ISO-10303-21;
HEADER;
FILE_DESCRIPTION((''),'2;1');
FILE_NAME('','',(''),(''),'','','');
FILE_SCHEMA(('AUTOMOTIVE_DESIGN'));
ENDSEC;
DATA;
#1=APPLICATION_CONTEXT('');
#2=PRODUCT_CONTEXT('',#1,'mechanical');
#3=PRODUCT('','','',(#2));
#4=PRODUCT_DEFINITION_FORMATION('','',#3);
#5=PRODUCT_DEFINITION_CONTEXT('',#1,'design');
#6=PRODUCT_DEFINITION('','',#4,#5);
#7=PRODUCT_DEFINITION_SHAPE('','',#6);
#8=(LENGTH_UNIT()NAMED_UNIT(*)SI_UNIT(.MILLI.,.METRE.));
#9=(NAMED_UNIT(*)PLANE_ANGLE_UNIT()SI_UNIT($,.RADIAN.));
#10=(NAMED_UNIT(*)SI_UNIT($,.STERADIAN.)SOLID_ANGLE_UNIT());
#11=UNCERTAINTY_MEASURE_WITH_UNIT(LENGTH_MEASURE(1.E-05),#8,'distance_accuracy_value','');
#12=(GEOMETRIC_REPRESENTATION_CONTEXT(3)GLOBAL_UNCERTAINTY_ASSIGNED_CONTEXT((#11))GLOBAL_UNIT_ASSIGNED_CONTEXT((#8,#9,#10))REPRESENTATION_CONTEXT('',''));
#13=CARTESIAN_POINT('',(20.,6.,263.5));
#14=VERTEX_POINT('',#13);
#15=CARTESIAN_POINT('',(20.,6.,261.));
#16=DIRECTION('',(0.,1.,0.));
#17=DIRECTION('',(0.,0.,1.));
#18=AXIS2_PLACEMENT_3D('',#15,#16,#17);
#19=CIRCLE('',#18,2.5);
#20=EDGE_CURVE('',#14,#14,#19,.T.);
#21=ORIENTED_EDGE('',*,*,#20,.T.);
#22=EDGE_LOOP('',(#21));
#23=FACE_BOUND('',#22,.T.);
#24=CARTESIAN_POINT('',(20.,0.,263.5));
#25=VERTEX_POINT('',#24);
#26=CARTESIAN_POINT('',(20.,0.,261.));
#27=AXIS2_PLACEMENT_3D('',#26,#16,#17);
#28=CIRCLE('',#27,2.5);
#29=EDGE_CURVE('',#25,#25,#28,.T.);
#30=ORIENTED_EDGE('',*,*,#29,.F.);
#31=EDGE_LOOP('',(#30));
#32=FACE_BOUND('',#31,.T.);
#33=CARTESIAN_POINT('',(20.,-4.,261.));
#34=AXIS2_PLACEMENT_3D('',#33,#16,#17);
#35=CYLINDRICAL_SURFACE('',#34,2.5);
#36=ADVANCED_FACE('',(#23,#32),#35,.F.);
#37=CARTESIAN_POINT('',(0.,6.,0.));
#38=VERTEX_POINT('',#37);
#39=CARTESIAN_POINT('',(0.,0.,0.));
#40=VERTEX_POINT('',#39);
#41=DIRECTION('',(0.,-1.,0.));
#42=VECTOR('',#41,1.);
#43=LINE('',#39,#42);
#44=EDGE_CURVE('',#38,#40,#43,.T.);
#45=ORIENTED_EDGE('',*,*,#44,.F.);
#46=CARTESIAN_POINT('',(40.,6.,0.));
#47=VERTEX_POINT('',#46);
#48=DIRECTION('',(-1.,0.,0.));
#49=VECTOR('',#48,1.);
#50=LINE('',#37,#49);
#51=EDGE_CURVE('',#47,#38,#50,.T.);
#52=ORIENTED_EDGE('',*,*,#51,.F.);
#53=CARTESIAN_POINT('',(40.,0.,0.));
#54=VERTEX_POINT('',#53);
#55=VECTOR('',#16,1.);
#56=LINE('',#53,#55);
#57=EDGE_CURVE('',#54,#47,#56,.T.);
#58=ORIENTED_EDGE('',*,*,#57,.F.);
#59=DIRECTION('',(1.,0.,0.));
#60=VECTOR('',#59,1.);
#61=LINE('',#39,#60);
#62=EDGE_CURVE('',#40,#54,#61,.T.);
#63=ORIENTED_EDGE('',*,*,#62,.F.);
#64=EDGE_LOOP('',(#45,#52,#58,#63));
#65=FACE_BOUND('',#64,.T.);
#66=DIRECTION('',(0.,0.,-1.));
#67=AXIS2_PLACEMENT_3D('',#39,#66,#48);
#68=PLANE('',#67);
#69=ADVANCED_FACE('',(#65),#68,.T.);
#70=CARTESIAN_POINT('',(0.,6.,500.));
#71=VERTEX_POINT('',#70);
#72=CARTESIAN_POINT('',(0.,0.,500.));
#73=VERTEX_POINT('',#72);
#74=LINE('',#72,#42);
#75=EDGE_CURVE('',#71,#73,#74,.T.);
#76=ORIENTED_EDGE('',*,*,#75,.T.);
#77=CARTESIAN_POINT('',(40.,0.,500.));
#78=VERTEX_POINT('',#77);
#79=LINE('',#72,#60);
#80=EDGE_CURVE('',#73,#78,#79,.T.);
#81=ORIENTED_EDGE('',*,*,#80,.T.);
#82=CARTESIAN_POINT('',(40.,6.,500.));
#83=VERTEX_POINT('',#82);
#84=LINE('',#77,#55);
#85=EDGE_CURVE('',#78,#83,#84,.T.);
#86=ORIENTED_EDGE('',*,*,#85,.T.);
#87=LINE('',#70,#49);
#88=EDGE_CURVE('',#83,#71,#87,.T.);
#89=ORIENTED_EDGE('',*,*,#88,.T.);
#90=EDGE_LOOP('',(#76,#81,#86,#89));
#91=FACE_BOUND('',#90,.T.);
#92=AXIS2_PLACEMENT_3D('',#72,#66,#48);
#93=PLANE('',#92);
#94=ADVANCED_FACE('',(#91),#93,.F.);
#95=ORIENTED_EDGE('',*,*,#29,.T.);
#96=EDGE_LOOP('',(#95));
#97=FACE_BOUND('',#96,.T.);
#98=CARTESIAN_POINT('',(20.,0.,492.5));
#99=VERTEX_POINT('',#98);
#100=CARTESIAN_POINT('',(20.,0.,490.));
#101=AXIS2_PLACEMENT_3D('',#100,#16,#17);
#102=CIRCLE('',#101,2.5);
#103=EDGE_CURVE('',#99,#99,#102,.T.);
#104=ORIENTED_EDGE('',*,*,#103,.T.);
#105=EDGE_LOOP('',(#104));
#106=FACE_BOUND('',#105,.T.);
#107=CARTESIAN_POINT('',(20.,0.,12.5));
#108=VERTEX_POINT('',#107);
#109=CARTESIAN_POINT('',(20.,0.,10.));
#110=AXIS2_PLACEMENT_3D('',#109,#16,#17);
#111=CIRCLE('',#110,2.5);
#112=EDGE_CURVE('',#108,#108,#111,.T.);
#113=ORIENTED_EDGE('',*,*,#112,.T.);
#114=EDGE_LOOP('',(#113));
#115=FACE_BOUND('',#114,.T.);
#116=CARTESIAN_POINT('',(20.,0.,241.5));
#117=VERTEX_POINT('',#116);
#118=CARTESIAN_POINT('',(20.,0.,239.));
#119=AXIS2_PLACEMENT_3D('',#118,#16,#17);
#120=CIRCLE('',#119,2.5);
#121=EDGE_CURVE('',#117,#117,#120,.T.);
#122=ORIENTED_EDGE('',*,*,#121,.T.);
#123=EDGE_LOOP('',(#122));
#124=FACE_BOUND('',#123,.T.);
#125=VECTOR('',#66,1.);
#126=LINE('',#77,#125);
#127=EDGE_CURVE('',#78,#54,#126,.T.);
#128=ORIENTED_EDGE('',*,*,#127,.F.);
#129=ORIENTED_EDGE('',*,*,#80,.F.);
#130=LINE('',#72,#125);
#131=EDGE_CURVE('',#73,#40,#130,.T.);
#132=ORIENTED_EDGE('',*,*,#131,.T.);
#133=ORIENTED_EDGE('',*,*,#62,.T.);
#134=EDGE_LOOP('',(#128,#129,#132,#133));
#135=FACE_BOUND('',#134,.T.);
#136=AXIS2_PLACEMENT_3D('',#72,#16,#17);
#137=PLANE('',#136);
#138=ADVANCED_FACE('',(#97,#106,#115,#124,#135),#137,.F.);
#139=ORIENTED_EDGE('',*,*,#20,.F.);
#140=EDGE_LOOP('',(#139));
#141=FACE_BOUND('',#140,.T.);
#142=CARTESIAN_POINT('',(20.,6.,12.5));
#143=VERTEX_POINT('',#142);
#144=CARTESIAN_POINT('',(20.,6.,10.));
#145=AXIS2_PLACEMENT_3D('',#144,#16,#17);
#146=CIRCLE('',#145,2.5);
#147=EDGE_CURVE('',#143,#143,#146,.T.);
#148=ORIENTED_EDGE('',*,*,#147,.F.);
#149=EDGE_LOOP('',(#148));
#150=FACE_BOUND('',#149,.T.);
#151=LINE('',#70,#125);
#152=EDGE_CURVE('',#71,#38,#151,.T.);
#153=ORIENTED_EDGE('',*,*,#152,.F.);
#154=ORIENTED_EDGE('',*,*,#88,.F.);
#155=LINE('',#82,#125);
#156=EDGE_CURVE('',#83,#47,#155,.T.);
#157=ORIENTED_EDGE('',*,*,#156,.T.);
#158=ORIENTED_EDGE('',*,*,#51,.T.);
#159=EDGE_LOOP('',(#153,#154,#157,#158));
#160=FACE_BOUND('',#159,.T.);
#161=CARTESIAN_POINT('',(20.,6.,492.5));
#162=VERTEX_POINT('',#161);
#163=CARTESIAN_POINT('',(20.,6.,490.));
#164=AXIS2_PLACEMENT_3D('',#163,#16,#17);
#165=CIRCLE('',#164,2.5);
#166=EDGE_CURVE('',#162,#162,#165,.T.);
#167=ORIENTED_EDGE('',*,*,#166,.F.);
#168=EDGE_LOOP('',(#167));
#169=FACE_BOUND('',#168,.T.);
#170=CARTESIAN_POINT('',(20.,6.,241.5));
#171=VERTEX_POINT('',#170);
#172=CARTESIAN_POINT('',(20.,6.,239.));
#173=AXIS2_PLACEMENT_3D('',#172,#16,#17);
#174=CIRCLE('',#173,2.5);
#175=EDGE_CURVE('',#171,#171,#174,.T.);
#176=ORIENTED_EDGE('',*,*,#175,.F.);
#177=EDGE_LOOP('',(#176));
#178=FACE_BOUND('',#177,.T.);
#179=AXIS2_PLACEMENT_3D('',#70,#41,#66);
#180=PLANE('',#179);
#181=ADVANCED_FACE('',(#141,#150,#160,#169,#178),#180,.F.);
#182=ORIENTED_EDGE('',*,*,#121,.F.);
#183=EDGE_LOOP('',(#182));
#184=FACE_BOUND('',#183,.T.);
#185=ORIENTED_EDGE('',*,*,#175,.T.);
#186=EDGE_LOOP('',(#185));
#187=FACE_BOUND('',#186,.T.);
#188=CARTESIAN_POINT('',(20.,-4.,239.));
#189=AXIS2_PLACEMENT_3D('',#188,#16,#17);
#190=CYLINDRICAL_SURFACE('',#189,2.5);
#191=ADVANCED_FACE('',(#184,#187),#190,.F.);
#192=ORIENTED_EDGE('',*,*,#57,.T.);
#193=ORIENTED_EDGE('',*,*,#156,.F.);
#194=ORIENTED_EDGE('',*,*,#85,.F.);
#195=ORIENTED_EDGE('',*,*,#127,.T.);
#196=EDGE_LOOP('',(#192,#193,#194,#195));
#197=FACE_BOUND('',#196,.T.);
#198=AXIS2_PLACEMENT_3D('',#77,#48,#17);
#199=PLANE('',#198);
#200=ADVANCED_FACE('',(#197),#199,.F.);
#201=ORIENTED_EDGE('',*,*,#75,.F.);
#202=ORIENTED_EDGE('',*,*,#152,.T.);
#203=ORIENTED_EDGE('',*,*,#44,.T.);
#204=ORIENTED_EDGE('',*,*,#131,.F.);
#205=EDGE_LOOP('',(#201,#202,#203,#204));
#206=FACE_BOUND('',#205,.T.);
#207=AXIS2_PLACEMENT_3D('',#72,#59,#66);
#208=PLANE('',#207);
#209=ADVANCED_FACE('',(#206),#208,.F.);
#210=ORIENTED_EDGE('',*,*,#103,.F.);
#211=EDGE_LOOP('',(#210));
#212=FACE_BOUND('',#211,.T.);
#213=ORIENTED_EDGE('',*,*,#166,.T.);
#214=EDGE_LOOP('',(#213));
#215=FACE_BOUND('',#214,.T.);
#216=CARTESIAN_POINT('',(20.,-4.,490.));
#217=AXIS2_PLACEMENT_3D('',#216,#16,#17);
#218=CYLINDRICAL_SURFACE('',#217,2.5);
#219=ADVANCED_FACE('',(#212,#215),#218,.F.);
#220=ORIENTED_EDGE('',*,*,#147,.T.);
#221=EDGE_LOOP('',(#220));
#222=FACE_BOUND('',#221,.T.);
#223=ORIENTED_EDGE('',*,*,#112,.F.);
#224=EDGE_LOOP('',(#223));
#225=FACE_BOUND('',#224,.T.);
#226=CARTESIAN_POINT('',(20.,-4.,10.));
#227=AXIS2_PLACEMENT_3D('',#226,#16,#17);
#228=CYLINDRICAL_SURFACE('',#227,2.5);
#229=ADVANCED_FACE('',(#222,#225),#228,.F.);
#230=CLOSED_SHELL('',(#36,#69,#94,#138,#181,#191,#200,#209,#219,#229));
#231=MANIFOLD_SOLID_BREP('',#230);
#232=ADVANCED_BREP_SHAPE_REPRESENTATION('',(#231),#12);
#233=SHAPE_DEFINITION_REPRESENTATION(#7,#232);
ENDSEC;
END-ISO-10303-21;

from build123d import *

# Parameters (mm, degrees)
SKETCH1_W           = 40
SKETCH1_H           = 6
BOSS_EXTRUDE1_DEPTH = 500
SKETCH2_R           = 2.5
CUT_EXTRUDE1_DEPTH  = 10
LPATTERN1_COUNT     = 2
LPATTERN1_PITCH     = 480
SKETCH3_R           = 2.5
CUT_EXTRUDE2_DEPTH  = 10
LPATTERN2_COUNT     = 2
LPATTERN2_PITCH     = 22


with BuildPart() as part:
    # Sketch1 → Boss-Extrude1 (new body)
    with BuildSketch(Plane.XY):
        with Locations((20, 3)):
            Rectangle(SKETCH1_W, SKETCH1_H)
    extrude(amount=BOSS_EXTRUDE1_DEPTH)

    # Sketch2 → Cut-Extrude1 (cut)
    with BuildSketch(Plane(origin=(0, 6, 0), x_dir=(1, 0, 0), z_dir=(0, 1, 0))):
        with Locations(Location((20, -10, 0), (0, 0, 270))):
            Circle(SKETCH2_R)
    cut_extrude1 = extrude(amount=-CUT_EXTRUDE1_DEPTH, mode=Mode.SUBTRACT)

    # LPattern1: Cut-Extrude1 ×2
    with Locations(*[(0, 0, i * LPATTERN1_PITCH) for i in range(1, LPATTERN1_COUNT)]):
        add(cut_extrude1, mode=Mode.SUBTRACT)

    # Sketch3 → Cut-Extrude2 (cut)
    with BuildSketch(Plane(origin=(0, 6, 0), x_dir=(1, 0, 0), z_dir=(0, 1, 0))):
        with Locations(Location((20, -239, 0), (0, 0, 270))):
            Circle(SKETCH3_R)
    cut_extrude2 = extrude(amount=-CUT_EXTRUDE2_DEPTH, mode=Mode.SUBTRACT)

    # LPattern2: Cut-Extrude2 ×2
    with Locations(*[(0, 0, i * LPATTERN2_PITCH) for i in range(1, LPATTERN2_COUNT)]):
        add(cut_extrude2, mode=Mode.SUBTRACT)


solid = part.part
